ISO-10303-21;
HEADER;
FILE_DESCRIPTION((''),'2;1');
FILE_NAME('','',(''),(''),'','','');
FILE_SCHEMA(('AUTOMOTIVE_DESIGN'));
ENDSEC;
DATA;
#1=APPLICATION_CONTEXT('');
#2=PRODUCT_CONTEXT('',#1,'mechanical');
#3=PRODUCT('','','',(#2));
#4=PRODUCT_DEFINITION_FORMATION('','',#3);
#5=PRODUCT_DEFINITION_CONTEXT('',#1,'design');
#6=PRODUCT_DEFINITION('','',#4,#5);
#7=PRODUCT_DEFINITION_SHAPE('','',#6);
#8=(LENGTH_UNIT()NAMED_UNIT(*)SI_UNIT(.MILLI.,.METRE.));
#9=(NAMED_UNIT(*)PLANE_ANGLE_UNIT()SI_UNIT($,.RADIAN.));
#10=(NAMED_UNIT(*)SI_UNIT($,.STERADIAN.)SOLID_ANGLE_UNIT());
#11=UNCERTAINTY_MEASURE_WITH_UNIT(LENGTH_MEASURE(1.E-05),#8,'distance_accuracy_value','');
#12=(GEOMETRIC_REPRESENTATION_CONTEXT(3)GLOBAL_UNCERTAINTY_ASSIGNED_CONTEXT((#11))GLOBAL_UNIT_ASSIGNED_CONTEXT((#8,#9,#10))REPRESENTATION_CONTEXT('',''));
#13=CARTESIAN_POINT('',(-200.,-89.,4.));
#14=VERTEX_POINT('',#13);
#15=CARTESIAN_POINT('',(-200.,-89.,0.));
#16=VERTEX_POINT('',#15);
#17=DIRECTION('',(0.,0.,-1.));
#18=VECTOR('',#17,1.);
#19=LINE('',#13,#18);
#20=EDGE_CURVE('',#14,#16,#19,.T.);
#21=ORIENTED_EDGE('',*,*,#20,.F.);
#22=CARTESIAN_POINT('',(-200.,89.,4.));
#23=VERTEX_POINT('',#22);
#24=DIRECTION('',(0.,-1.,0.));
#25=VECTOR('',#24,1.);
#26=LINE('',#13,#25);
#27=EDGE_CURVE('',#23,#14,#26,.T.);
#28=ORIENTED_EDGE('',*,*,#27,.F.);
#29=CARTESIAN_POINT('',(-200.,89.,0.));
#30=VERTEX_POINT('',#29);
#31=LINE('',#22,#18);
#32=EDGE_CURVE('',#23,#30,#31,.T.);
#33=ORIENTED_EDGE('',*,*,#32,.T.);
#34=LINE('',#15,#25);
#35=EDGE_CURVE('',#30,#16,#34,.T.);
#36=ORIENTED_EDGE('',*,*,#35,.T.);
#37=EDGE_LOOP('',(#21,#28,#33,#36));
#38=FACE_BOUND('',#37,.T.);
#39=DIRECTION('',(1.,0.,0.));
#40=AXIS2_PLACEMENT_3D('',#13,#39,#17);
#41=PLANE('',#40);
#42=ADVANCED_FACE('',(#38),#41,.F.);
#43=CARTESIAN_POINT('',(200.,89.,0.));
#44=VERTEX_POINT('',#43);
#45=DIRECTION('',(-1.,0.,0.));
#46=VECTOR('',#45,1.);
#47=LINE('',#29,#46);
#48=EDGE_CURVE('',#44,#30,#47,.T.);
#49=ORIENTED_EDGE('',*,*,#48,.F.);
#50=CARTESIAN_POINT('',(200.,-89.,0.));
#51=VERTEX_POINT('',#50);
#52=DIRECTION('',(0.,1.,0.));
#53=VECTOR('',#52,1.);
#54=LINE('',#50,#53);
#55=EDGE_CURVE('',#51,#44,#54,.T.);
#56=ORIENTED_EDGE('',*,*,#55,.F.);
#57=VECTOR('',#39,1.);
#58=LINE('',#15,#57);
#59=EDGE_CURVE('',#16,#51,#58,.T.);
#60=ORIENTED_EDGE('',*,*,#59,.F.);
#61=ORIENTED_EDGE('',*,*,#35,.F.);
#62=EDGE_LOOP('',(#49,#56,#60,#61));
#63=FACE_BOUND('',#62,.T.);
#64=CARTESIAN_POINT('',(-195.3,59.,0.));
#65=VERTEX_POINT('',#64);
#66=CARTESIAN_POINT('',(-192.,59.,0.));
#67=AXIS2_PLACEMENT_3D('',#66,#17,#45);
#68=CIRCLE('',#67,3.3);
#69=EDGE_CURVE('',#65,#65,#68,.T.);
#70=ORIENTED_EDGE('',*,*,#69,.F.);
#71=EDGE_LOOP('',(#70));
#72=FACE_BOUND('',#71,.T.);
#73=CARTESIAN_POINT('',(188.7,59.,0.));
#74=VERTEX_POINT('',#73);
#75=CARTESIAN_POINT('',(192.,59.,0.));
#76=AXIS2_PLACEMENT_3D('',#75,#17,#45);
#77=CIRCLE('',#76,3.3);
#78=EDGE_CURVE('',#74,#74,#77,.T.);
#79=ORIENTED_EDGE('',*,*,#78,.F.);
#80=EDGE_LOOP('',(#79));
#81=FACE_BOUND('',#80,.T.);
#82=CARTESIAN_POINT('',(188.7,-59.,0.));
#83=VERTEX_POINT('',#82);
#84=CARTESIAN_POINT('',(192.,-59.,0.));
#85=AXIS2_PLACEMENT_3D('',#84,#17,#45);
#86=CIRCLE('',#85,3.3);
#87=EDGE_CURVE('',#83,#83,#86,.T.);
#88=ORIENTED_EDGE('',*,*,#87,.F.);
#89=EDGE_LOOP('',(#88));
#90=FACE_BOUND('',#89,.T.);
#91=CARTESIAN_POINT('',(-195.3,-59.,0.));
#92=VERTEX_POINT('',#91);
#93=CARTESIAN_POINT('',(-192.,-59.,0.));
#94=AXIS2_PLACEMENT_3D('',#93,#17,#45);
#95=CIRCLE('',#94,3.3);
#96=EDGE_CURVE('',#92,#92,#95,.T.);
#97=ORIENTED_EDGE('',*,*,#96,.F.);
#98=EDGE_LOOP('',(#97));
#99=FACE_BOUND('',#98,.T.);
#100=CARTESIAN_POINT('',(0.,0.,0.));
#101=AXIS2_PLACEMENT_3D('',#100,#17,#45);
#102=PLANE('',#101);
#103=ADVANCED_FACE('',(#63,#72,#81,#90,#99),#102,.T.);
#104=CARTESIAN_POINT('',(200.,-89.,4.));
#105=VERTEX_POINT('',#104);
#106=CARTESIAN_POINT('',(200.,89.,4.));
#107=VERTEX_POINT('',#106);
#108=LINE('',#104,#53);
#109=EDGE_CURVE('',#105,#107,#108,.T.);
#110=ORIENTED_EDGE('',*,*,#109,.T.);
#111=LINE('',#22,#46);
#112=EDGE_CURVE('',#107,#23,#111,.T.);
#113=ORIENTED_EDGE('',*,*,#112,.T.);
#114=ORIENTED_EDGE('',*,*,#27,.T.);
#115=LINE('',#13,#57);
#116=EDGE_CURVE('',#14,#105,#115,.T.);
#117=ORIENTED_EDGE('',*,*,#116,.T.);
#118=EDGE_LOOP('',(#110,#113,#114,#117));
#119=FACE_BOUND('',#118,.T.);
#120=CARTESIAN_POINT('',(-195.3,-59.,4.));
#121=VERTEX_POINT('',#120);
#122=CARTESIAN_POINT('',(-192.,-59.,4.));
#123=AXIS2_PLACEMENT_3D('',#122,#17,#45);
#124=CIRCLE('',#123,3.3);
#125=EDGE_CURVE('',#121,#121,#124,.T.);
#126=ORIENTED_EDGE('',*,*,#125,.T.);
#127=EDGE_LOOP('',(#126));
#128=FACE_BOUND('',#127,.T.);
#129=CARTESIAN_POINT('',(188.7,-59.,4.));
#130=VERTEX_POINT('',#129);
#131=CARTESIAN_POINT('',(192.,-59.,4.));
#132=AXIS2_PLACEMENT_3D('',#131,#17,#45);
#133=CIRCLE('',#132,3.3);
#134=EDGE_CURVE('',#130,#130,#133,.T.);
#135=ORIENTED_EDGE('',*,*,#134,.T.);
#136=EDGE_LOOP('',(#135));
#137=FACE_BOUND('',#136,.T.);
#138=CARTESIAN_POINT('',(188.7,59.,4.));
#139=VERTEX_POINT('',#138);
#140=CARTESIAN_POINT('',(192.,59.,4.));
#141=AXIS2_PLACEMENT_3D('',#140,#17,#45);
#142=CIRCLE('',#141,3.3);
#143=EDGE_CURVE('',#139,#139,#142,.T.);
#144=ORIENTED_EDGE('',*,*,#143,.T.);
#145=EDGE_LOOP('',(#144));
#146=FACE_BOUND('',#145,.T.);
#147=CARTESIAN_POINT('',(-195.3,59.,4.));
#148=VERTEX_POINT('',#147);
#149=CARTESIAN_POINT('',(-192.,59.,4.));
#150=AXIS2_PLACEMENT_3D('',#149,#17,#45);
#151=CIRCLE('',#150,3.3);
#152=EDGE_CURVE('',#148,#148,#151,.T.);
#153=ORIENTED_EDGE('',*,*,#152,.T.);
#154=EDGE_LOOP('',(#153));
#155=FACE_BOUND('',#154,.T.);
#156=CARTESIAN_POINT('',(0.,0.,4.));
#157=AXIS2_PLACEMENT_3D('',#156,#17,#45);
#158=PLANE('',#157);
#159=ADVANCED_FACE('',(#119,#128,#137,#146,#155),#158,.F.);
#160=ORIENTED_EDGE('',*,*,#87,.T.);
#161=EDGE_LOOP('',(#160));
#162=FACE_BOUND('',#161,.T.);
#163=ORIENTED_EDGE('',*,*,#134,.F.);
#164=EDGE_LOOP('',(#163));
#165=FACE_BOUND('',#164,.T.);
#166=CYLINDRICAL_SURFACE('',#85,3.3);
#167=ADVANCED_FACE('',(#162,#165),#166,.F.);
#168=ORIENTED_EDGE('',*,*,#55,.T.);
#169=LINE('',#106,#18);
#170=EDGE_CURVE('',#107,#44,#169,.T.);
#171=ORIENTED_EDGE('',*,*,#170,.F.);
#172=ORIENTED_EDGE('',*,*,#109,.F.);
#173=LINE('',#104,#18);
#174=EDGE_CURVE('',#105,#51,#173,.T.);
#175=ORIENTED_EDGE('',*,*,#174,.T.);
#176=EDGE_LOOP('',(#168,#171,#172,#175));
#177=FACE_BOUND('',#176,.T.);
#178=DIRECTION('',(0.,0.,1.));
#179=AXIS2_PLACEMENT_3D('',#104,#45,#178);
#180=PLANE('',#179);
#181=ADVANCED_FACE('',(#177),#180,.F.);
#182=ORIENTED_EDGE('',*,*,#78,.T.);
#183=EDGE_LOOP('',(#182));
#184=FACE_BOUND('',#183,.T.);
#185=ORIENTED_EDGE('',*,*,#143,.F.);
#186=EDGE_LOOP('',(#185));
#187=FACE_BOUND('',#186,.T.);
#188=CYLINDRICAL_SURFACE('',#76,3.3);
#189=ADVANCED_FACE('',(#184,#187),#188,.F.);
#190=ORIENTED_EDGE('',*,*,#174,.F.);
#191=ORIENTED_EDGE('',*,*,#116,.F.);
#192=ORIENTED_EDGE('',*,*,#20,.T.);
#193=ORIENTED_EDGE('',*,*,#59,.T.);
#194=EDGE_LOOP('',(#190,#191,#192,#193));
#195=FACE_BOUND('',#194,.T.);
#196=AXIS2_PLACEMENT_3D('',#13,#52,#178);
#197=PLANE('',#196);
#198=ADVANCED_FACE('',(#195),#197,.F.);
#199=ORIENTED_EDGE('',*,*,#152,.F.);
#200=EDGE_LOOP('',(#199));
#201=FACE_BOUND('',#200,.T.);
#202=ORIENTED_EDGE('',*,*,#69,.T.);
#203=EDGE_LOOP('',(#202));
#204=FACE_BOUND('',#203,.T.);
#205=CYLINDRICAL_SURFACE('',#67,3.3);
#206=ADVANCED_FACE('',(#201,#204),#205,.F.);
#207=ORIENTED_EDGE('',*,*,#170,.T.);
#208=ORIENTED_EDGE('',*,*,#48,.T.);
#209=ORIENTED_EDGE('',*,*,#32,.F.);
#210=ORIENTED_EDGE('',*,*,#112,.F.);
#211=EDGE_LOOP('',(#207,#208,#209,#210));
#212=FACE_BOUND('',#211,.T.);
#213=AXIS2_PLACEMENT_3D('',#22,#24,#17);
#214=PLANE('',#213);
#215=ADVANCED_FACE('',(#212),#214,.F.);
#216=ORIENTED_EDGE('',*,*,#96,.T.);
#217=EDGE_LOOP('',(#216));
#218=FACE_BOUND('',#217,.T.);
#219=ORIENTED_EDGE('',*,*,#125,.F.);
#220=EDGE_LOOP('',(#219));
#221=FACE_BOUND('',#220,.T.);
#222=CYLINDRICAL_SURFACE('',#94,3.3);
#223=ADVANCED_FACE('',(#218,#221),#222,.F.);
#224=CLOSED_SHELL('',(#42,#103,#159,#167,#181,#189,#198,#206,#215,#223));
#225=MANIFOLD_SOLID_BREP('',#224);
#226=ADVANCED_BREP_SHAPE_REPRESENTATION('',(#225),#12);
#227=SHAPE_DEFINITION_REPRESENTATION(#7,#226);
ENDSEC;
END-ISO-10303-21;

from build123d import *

# Parameters (mm, degrees)
ESQUISSE1_W        = 400
ESQUISSE1_H        = 178
BOSS_EXTRU_1_DEPTH = 4
D_GAGEMENT_M61_D   = 6.6


with BuildPart() as part:
    # Esquisse1 → Boss.-Extru.1 (new body)
    with BuildSketch(Plane.XY):
        Rectangle(ESQUISSE1_W, ESQUISSE1_H)
    extrude(amount=BOSS_EXTRU_1_DEPTH)

    # Dégagement M61 (through all)
    with Locations(Plane(origin=(-192, 59, 0), x_dir=(-1, 0, 0), z_dir=(0, 0, -1))):
        with Locations((0, 0), (0, -118), (-384, -118), (-384, 0)):
            Hole(D_GAGEMENT_M61_D / 2)


solid = part.part
